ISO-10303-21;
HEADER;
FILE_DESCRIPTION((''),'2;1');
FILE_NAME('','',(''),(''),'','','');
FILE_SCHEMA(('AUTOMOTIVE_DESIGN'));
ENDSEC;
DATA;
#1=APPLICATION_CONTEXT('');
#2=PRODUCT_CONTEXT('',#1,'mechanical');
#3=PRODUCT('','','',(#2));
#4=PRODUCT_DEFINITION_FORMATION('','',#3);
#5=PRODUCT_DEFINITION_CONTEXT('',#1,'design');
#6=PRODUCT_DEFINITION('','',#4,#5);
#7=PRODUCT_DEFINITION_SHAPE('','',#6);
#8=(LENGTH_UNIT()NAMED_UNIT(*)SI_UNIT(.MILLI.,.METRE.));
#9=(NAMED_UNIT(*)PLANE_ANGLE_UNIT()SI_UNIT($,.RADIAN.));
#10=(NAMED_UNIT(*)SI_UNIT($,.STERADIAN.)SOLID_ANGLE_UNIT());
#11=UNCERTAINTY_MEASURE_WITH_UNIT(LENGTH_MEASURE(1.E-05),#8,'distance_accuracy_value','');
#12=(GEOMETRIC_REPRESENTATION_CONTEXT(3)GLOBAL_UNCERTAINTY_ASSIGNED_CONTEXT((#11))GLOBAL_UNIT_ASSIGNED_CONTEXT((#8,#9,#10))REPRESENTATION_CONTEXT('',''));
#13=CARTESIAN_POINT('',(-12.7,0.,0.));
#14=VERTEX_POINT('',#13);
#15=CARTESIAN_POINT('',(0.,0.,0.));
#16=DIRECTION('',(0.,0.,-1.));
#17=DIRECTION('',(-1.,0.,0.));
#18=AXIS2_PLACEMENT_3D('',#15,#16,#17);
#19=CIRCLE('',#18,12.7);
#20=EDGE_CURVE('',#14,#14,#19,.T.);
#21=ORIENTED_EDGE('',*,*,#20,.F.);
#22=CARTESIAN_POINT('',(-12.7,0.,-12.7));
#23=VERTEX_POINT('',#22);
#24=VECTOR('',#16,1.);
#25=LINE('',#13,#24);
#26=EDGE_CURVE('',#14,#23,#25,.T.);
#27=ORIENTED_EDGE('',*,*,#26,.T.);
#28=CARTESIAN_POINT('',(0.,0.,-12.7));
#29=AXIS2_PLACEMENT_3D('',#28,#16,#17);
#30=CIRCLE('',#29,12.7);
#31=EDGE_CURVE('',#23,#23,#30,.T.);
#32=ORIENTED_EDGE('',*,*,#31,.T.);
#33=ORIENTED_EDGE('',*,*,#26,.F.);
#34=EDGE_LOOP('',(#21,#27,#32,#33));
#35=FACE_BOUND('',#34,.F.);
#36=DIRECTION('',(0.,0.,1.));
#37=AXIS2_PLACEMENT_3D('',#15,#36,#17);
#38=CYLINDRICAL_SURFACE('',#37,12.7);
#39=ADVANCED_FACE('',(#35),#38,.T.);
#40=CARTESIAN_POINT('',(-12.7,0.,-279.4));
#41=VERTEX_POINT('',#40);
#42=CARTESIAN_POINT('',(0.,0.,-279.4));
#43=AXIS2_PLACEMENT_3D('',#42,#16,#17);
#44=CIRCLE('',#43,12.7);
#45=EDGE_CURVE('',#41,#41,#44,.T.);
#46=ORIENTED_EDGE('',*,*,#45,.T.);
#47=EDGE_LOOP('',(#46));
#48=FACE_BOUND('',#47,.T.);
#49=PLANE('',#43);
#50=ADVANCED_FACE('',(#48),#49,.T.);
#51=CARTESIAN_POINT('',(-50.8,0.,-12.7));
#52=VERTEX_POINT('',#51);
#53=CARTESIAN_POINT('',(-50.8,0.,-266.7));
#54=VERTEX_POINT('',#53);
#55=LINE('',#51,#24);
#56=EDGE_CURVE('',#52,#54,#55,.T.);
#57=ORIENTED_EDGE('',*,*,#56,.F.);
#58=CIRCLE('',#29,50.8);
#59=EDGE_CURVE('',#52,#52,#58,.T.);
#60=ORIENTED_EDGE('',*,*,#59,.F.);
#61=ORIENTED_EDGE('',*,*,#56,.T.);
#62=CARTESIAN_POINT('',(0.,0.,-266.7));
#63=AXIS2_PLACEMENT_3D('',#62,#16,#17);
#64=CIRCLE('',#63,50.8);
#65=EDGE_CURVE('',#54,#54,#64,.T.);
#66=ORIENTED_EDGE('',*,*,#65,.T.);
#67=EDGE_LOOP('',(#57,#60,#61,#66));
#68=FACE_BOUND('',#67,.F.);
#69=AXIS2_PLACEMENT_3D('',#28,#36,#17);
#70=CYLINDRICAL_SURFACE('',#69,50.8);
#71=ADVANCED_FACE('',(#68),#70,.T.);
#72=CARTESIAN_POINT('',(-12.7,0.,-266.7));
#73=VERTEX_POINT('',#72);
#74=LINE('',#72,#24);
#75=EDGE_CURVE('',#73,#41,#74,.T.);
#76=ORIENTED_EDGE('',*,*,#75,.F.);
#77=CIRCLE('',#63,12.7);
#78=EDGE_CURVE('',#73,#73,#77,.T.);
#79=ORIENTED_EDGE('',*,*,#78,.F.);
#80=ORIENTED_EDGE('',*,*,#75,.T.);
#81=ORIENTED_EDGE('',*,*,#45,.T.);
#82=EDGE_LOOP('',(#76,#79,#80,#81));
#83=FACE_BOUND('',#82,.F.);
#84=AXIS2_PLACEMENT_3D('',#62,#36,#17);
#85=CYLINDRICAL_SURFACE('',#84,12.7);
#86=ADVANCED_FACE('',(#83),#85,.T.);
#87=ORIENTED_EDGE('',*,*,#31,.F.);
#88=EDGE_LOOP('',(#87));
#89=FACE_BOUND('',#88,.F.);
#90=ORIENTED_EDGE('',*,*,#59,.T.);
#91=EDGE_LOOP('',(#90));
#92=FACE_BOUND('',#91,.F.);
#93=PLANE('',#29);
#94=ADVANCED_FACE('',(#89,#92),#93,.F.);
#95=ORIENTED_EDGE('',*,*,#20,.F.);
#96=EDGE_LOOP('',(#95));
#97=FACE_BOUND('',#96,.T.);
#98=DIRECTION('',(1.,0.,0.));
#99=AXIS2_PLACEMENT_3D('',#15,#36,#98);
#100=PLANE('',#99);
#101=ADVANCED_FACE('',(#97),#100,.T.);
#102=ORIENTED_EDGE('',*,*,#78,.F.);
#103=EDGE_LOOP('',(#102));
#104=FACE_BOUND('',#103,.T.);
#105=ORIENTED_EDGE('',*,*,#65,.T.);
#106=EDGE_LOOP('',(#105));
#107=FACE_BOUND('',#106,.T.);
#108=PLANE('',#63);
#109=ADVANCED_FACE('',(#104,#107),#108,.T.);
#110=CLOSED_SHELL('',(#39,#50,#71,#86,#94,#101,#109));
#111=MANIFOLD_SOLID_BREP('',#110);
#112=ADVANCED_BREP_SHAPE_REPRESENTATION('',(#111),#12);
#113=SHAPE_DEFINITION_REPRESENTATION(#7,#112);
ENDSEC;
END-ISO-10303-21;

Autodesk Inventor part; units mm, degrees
ref_plane "YZ Plane" through (0, 0, 0) normal (1, 0, 0) x (0, 1, 0)
ref_plane "XZ Plane" through (0, 0, 0) normal (0, 1, 0) x (-1, 0, 0)
ref_plane "XY Plane" through (0, 0, 0) normal (0, 0, 1) x (1, 0, 0)
sketch "Sketch1" plane through (0, 0, 0) normal (0, 0, 1) x (1, 0, 0)
  circle A0 centre (0, 0) radius 31.75
  dimension "d0" = 63.5
extrude "Extrusion1" add sketch "Sketch1" along normal blind 82.55
sketch "Sketch2" plane through (0, 0, 82.55) normal (0, 0, 1) x (1, 0, 0)
  circle A0 centre (0, 0) radius 31.75 projected
  circle A1 centre (0, 0) radius 14.859
  dimension "d3" = 29.718
extrude "Extrusion2" add sketch "Sketch2" along normal blind 6.35 contours A1
sketch "Sketch3" plane through (0, 0, 0) normal (0, 0, -1) x (-1, 0, 0)
  circle A0 centre (0, 0) radius 31.75 projected
  circle A1 centre (0, 0) radius 12.7
  dimension "d6" = 25.4
extrude "Extrusion3" add sketch "Sketch3" along normal blind 12.7 contours A1
sketch "Sketch4" plane through (0, 0, -12.7) normal (0, 0, -1) x (-1, 0, 0)
  circle A0 centre (0, 0) radius 12.7 projected
  circle A1 centre (0, 0) radius 50.8
  dimension "d9" = 101.6
extrude "Extrusion4" add sketch "Sketch4" along normal blind 254 contours A0 | A1
sketch "Sketch5" plane through (0, 0, -266.7) normal (0, 0, -1) x (-1, 0, 0)
  circle A0 centre (0, 0) radius 50.8 projected
  circle A1 centre (0, 0) radius 12.7
  dimension "d12" = 25.4
extrude "Extrusion5" add sketch "Sketch5" along normal blind 12.7 contours A1
sketch "Sketch7" plane through (0, 0, 88.9) normal (0, 0, 1) x (1, 0, 0)
  circle A0 centre (0, 0) radius 14.859 projected
  circle A1 centre (0, 0) radius 117.3057
extrude "Extrusion6" cut sketch "Sketch7" against normal blind 88.9 contours A0 | A1
properties part number "Shooter_RollerTop"
